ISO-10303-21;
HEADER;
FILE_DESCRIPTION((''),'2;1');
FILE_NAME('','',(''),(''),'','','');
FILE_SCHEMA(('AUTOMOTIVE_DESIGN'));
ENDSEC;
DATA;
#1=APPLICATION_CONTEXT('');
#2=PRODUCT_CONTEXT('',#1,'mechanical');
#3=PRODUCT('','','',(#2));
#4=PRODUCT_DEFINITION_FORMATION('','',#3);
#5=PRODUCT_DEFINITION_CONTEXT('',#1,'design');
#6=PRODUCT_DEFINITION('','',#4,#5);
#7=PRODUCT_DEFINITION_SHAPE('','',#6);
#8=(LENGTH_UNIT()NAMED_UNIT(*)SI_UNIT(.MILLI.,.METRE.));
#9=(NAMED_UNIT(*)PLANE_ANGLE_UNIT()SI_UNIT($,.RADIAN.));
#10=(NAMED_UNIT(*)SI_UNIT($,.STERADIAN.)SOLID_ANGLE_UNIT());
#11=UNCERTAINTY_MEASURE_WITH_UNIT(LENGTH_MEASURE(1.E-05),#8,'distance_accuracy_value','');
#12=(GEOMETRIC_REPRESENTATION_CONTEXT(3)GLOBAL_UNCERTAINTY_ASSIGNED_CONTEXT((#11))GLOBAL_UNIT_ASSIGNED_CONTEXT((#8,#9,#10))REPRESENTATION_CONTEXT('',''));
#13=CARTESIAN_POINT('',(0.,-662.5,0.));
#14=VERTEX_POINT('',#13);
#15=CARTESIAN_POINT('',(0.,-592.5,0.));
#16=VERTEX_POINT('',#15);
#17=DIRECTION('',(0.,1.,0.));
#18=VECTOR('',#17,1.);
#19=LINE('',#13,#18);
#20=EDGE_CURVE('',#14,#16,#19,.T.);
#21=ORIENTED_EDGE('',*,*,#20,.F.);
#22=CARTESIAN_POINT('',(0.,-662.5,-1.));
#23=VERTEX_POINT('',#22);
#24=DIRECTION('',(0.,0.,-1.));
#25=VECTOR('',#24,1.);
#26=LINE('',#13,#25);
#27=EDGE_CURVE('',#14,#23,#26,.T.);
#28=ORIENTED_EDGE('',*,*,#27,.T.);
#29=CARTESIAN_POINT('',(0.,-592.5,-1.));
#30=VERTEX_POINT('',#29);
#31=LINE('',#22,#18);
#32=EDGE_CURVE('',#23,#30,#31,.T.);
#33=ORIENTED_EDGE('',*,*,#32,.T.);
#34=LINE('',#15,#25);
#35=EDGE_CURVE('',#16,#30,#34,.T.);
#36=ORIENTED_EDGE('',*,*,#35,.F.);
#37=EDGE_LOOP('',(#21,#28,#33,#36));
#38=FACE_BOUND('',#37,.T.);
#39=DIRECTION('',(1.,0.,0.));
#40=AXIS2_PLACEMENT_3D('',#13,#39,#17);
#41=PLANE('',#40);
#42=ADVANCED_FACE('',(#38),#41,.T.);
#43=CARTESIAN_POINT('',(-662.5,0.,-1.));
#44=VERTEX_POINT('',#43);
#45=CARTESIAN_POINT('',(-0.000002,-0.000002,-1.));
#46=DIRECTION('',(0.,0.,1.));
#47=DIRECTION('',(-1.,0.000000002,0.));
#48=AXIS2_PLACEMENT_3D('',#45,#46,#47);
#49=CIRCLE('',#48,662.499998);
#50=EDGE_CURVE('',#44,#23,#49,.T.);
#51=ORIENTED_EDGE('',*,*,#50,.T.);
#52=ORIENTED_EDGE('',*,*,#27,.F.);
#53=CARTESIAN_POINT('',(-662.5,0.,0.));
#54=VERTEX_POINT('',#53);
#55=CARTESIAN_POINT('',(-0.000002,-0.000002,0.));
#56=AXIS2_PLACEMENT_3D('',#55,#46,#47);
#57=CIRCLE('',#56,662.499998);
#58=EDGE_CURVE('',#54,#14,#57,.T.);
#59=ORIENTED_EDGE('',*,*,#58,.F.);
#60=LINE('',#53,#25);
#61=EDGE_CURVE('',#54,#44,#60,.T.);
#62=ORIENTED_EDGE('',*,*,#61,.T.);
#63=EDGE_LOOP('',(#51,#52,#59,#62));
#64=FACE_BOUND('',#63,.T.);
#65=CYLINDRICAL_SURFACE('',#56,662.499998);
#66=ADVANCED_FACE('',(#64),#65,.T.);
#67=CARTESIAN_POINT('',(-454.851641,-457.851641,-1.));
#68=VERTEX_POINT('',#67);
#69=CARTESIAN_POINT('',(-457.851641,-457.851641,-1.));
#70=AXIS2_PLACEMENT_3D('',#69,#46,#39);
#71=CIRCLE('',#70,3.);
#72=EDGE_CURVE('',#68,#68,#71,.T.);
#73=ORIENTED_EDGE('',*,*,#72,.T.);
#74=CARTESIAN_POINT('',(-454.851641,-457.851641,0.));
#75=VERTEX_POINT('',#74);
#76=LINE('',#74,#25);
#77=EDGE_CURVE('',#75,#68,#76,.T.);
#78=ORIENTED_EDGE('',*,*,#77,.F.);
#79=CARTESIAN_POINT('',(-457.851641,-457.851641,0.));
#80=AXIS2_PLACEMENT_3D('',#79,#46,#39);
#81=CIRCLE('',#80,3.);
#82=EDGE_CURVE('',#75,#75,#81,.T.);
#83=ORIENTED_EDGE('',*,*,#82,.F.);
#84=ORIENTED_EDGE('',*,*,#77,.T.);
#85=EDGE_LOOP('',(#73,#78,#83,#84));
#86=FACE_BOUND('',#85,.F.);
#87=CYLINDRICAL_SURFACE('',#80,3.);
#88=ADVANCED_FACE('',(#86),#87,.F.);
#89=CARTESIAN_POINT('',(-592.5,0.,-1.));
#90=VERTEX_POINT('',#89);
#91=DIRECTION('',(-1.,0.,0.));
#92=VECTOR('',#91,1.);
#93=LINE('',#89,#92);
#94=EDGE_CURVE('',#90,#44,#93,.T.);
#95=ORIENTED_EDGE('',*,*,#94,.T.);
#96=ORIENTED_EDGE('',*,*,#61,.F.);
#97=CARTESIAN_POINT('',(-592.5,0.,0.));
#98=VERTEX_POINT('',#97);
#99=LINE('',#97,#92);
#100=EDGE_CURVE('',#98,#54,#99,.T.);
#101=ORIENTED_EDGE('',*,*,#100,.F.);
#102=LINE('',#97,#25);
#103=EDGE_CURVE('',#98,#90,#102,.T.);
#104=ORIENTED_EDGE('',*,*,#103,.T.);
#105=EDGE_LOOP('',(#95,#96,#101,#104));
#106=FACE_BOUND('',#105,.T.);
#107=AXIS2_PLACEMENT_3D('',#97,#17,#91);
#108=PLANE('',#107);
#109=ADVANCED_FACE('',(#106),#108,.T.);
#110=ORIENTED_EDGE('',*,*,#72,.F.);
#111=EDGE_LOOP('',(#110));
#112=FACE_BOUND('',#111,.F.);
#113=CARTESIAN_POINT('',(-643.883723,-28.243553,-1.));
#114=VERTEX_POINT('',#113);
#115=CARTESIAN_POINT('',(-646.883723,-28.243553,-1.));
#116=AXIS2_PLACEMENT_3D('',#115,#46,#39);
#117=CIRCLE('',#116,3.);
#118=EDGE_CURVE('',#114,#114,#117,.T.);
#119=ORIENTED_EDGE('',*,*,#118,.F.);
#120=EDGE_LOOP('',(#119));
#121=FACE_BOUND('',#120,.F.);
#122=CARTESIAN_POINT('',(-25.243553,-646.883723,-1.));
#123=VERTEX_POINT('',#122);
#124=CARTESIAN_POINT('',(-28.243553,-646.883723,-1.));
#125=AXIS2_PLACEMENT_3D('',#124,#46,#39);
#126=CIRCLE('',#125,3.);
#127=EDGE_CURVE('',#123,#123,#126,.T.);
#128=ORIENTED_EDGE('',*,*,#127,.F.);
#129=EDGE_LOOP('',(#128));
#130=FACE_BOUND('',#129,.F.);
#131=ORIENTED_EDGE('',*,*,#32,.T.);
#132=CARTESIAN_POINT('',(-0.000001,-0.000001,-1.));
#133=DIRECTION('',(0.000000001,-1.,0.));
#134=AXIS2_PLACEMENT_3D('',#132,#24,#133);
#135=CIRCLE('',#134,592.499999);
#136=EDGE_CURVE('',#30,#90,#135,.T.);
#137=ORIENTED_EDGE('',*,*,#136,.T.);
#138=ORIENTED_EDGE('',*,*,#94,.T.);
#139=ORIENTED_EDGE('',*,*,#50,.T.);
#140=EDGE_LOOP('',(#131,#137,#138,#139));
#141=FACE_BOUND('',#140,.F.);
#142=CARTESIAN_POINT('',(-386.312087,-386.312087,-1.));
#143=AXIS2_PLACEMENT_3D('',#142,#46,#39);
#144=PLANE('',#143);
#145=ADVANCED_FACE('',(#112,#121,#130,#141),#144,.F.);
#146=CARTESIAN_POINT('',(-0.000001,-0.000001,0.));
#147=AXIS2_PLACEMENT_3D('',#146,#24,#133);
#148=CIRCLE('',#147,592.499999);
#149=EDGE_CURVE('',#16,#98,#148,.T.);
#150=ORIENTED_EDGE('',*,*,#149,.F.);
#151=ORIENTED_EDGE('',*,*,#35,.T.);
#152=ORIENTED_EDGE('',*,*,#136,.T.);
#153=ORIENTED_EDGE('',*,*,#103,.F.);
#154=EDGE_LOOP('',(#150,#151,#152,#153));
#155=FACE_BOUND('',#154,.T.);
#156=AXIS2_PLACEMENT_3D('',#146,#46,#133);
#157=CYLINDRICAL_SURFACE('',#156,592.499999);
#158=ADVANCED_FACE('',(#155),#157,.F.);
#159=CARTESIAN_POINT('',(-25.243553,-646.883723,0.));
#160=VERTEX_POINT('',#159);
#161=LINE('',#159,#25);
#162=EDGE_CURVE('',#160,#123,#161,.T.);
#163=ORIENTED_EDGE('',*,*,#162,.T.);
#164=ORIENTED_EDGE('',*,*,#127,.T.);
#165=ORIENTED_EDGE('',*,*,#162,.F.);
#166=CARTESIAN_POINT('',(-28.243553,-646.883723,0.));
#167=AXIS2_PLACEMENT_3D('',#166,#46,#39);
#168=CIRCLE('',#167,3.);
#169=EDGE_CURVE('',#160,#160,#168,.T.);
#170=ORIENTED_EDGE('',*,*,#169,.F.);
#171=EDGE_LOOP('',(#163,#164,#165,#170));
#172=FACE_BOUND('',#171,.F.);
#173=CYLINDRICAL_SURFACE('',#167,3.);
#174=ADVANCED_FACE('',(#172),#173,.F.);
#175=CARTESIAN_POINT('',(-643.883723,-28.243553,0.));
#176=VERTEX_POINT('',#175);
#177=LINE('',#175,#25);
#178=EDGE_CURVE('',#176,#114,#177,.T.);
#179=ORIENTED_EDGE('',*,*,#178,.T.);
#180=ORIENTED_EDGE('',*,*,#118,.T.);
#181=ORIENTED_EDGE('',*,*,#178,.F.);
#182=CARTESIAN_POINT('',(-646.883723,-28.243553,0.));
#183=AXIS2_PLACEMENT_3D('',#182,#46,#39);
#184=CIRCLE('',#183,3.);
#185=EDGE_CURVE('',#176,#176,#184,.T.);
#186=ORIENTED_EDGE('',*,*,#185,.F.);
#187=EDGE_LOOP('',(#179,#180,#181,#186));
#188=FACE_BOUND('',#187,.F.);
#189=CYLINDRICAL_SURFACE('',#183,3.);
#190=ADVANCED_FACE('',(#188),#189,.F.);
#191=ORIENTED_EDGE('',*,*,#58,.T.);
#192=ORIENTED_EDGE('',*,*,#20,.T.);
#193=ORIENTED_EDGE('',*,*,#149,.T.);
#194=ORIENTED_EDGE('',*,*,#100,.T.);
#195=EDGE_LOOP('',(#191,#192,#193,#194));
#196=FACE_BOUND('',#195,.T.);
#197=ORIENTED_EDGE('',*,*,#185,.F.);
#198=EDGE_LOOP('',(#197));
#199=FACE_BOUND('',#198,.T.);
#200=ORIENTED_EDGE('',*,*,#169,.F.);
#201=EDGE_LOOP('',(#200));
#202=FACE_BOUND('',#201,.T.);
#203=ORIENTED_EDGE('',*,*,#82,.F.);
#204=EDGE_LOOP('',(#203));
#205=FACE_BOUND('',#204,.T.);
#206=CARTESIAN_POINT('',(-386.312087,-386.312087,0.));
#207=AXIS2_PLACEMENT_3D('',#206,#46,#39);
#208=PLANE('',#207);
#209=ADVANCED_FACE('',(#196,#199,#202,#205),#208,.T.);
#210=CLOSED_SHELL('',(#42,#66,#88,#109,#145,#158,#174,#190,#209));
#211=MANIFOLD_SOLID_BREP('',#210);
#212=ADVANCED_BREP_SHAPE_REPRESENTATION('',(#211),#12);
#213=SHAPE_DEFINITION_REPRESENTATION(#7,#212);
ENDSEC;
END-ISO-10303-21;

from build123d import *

# Parameters (mm, degrees)
F2_DEPTH = 1
F3_R     = 3
F4_DEPTH = 1.001


with BuildPart() as f2:
    # F0 (on Top) → F2 (new body)
    with BuildSketch(Plane.XY):
        with BuildLine():
            ThreePointArc((0, -592.5), (-418.960768, -418.960768), (-592.5, 0))
            Line((-592.5, 0), (-662.5, 0))
            ThreePointArc((-662.5, 0), (-468.458243, -468.458243), (0, -662.5))
            Line((0, -662.5), (0, -592.5))
        make_face()
    extrude(amount=-F2_DEPTH)

    # F3 (on face) → F4 (cut, through all)
    with BuildSketch(Plane.XY):
        with Locations((-646.883723, -28.243553)):
            Circle(F3_R)
        with Locations((-28.243553, -646.883723)):
            Circle(F3_R)
        with Locations((-457.851641, -457.851641)):
            Circle(F3_R)
    extrude(amount=-F4_DEPTH, mode=Mode.SUBTRACT)


solid = f2.part
